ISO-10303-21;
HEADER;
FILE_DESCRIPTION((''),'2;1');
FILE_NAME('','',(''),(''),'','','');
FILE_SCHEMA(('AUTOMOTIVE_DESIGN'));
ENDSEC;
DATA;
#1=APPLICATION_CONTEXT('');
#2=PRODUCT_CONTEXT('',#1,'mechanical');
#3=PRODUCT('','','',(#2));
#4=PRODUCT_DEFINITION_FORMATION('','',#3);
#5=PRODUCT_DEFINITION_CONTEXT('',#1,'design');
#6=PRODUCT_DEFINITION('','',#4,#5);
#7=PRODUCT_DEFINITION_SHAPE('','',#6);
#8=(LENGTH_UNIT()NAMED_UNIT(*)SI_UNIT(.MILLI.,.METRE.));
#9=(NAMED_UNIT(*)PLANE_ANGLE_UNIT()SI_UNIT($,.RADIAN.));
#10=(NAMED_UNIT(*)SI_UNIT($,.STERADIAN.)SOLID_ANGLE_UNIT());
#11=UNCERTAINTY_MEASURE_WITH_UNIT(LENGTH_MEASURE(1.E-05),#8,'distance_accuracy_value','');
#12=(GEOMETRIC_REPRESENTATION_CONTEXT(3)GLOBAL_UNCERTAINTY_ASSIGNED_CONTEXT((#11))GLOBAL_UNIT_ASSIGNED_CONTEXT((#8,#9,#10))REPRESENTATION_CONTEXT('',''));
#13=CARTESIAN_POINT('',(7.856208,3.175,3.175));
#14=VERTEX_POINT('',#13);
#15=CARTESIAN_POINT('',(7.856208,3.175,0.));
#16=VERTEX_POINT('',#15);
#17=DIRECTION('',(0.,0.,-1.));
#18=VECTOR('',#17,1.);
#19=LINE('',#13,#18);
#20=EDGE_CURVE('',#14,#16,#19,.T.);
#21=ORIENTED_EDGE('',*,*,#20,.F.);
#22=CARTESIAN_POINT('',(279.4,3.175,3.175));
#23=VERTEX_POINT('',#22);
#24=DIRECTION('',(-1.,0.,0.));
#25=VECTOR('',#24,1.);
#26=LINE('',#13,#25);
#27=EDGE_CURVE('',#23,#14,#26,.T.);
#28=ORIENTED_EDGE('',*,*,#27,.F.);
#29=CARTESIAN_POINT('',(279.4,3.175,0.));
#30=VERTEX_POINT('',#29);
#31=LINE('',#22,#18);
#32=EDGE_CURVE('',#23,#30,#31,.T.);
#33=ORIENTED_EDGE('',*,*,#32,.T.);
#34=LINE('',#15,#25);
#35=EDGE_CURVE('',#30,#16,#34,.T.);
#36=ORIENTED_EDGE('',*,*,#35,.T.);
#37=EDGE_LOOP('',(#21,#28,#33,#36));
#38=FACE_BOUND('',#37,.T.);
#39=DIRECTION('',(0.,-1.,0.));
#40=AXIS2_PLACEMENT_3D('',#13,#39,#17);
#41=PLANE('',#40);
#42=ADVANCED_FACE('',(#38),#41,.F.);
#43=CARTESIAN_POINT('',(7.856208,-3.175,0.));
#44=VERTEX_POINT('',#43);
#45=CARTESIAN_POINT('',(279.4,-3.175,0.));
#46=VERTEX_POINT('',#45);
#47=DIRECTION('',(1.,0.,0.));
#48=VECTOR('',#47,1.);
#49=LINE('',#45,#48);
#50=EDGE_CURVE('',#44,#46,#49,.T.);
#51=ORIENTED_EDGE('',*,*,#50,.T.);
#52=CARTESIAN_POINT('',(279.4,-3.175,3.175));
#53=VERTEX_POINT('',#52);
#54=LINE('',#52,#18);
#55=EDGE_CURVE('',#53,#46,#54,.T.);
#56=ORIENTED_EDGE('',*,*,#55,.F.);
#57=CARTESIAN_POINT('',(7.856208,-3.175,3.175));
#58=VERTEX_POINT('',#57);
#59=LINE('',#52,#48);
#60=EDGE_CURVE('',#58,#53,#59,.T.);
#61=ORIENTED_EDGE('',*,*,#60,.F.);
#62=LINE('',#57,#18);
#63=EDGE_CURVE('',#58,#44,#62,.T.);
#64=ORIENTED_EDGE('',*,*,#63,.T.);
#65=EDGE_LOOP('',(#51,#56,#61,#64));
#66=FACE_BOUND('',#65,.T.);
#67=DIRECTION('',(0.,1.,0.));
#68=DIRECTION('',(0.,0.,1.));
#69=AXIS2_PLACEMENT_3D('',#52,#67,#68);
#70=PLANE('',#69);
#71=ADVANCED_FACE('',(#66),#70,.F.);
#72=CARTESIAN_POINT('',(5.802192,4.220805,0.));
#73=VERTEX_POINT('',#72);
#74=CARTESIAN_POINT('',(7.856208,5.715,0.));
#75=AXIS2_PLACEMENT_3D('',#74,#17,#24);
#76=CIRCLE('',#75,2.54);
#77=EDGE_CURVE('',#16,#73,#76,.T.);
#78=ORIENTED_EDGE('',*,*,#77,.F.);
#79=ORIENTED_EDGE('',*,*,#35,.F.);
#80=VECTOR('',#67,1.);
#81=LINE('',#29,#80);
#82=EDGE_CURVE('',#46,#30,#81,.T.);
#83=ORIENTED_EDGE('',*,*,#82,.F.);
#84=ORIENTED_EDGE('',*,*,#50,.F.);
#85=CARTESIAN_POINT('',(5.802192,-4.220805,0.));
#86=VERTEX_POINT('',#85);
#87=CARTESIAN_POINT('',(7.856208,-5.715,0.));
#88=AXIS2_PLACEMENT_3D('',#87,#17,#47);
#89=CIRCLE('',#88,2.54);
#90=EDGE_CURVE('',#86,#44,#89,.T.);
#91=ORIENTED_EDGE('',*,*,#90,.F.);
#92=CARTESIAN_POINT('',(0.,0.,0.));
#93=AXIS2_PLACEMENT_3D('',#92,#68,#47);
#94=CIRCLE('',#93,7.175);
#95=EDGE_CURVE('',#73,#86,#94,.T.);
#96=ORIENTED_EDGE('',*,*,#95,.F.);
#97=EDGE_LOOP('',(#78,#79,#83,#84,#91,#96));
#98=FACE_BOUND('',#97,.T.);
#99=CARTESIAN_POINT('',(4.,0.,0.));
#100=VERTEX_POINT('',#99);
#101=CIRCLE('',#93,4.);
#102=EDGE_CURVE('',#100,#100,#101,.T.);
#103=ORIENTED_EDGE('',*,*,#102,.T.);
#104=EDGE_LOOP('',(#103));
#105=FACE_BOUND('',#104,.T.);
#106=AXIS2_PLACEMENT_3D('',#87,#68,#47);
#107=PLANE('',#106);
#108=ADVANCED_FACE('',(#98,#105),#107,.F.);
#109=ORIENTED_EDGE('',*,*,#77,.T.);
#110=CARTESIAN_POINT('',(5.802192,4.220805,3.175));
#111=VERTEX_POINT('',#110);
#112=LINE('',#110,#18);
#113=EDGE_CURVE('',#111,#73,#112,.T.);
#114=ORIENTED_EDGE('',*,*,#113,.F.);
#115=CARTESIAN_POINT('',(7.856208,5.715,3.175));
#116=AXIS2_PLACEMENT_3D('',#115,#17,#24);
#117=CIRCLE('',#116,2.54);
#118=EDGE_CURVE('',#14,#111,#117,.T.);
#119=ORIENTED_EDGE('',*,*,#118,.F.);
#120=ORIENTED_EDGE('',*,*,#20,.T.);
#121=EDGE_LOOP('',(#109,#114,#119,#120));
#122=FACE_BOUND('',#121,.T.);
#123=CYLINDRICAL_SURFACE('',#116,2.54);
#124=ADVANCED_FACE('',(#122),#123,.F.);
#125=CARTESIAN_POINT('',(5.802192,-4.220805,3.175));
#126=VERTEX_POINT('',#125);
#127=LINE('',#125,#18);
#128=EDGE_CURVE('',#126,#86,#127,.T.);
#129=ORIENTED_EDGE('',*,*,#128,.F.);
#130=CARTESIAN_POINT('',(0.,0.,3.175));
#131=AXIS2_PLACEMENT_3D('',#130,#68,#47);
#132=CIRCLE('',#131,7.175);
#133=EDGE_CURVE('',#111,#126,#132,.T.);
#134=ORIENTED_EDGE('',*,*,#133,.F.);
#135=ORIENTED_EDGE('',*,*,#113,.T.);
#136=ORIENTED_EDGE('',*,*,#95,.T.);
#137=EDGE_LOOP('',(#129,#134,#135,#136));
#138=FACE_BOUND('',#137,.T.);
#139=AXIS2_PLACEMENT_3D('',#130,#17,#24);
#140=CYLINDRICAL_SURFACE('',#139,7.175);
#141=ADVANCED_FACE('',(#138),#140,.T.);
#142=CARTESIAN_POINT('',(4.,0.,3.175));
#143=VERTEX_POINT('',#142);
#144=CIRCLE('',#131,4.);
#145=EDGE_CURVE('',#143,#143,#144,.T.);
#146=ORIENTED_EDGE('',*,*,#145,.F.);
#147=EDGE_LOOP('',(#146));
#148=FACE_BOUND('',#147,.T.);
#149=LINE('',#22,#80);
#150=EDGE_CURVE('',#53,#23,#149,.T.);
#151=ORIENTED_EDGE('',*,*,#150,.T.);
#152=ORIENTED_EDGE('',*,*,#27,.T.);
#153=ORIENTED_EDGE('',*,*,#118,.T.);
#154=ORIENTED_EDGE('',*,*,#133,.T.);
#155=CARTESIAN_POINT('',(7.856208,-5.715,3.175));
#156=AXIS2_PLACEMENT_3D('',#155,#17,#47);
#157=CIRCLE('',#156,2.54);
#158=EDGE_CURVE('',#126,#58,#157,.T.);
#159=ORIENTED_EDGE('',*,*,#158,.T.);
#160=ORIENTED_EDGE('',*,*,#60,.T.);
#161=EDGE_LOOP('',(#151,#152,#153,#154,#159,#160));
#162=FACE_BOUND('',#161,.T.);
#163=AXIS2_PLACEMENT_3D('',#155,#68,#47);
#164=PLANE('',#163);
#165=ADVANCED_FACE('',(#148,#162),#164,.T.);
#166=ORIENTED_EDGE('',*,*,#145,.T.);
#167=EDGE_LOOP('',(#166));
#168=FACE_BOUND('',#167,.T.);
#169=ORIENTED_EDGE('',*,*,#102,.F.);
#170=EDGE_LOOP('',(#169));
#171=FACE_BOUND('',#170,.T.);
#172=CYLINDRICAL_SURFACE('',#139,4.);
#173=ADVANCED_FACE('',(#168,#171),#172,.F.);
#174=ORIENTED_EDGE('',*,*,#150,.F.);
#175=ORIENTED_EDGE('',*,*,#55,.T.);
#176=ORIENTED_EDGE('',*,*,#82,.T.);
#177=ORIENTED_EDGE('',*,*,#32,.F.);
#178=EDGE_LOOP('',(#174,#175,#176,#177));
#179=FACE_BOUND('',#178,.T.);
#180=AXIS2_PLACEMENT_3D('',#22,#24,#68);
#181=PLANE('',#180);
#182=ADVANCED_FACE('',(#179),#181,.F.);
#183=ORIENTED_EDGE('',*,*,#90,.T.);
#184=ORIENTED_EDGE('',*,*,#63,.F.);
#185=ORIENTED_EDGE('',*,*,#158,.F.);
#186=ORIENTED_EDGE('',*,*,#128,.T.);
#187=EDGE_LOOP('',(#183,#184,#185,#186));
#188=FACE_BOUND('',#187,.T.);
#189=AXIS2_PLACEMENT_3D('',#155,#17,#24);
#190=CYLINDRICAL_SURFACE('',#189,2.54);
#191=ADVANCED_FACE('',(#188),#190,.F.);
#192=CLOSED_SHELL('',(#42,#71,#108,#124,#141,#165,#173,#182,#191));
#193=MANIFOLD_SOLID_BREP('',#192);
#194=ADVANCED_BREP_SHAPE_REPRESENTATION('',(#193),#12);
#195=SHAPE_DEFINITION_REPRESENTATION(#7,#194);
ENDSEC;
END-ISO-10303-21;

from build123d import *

# Parameters (mm, degrees)
SKETCH1_R           = 4
BOSS_EXTRUDE1_DEPTH = 3.175


with BuildPart() as part:
    # Sketch1 → Boss-Extrude1 (new body)
    with BuildSketch(Plane.XY):
        with BuildLine():
            Line((7.856207737, 3.175), (279.4, 3.175))
            Line((279.4, 3.175), (279.4, -3.175))
            Line((279.4, -3.175), (7.856207737, -3.175))
            ThreePointArc((7.856207737, -3.175), (6.703743885, -3.451501144), (5.802191509, -4.220805455))
            ThreePointArc((5.802191509, -4.220805455), (-7.175, 0), (5.802191509, 4.220805455))
            ThreePointArc((5.802191509, 4.220805455), (6.703743885, 3.451501144), (7.856207737, 3.175))
        make_face()
        Circle(SKETCH1_R, mode=Mode.SUBTRACT)
    extrude(amount=BOSS_EXTRUDE1_DEPTH)


solid = part.part
